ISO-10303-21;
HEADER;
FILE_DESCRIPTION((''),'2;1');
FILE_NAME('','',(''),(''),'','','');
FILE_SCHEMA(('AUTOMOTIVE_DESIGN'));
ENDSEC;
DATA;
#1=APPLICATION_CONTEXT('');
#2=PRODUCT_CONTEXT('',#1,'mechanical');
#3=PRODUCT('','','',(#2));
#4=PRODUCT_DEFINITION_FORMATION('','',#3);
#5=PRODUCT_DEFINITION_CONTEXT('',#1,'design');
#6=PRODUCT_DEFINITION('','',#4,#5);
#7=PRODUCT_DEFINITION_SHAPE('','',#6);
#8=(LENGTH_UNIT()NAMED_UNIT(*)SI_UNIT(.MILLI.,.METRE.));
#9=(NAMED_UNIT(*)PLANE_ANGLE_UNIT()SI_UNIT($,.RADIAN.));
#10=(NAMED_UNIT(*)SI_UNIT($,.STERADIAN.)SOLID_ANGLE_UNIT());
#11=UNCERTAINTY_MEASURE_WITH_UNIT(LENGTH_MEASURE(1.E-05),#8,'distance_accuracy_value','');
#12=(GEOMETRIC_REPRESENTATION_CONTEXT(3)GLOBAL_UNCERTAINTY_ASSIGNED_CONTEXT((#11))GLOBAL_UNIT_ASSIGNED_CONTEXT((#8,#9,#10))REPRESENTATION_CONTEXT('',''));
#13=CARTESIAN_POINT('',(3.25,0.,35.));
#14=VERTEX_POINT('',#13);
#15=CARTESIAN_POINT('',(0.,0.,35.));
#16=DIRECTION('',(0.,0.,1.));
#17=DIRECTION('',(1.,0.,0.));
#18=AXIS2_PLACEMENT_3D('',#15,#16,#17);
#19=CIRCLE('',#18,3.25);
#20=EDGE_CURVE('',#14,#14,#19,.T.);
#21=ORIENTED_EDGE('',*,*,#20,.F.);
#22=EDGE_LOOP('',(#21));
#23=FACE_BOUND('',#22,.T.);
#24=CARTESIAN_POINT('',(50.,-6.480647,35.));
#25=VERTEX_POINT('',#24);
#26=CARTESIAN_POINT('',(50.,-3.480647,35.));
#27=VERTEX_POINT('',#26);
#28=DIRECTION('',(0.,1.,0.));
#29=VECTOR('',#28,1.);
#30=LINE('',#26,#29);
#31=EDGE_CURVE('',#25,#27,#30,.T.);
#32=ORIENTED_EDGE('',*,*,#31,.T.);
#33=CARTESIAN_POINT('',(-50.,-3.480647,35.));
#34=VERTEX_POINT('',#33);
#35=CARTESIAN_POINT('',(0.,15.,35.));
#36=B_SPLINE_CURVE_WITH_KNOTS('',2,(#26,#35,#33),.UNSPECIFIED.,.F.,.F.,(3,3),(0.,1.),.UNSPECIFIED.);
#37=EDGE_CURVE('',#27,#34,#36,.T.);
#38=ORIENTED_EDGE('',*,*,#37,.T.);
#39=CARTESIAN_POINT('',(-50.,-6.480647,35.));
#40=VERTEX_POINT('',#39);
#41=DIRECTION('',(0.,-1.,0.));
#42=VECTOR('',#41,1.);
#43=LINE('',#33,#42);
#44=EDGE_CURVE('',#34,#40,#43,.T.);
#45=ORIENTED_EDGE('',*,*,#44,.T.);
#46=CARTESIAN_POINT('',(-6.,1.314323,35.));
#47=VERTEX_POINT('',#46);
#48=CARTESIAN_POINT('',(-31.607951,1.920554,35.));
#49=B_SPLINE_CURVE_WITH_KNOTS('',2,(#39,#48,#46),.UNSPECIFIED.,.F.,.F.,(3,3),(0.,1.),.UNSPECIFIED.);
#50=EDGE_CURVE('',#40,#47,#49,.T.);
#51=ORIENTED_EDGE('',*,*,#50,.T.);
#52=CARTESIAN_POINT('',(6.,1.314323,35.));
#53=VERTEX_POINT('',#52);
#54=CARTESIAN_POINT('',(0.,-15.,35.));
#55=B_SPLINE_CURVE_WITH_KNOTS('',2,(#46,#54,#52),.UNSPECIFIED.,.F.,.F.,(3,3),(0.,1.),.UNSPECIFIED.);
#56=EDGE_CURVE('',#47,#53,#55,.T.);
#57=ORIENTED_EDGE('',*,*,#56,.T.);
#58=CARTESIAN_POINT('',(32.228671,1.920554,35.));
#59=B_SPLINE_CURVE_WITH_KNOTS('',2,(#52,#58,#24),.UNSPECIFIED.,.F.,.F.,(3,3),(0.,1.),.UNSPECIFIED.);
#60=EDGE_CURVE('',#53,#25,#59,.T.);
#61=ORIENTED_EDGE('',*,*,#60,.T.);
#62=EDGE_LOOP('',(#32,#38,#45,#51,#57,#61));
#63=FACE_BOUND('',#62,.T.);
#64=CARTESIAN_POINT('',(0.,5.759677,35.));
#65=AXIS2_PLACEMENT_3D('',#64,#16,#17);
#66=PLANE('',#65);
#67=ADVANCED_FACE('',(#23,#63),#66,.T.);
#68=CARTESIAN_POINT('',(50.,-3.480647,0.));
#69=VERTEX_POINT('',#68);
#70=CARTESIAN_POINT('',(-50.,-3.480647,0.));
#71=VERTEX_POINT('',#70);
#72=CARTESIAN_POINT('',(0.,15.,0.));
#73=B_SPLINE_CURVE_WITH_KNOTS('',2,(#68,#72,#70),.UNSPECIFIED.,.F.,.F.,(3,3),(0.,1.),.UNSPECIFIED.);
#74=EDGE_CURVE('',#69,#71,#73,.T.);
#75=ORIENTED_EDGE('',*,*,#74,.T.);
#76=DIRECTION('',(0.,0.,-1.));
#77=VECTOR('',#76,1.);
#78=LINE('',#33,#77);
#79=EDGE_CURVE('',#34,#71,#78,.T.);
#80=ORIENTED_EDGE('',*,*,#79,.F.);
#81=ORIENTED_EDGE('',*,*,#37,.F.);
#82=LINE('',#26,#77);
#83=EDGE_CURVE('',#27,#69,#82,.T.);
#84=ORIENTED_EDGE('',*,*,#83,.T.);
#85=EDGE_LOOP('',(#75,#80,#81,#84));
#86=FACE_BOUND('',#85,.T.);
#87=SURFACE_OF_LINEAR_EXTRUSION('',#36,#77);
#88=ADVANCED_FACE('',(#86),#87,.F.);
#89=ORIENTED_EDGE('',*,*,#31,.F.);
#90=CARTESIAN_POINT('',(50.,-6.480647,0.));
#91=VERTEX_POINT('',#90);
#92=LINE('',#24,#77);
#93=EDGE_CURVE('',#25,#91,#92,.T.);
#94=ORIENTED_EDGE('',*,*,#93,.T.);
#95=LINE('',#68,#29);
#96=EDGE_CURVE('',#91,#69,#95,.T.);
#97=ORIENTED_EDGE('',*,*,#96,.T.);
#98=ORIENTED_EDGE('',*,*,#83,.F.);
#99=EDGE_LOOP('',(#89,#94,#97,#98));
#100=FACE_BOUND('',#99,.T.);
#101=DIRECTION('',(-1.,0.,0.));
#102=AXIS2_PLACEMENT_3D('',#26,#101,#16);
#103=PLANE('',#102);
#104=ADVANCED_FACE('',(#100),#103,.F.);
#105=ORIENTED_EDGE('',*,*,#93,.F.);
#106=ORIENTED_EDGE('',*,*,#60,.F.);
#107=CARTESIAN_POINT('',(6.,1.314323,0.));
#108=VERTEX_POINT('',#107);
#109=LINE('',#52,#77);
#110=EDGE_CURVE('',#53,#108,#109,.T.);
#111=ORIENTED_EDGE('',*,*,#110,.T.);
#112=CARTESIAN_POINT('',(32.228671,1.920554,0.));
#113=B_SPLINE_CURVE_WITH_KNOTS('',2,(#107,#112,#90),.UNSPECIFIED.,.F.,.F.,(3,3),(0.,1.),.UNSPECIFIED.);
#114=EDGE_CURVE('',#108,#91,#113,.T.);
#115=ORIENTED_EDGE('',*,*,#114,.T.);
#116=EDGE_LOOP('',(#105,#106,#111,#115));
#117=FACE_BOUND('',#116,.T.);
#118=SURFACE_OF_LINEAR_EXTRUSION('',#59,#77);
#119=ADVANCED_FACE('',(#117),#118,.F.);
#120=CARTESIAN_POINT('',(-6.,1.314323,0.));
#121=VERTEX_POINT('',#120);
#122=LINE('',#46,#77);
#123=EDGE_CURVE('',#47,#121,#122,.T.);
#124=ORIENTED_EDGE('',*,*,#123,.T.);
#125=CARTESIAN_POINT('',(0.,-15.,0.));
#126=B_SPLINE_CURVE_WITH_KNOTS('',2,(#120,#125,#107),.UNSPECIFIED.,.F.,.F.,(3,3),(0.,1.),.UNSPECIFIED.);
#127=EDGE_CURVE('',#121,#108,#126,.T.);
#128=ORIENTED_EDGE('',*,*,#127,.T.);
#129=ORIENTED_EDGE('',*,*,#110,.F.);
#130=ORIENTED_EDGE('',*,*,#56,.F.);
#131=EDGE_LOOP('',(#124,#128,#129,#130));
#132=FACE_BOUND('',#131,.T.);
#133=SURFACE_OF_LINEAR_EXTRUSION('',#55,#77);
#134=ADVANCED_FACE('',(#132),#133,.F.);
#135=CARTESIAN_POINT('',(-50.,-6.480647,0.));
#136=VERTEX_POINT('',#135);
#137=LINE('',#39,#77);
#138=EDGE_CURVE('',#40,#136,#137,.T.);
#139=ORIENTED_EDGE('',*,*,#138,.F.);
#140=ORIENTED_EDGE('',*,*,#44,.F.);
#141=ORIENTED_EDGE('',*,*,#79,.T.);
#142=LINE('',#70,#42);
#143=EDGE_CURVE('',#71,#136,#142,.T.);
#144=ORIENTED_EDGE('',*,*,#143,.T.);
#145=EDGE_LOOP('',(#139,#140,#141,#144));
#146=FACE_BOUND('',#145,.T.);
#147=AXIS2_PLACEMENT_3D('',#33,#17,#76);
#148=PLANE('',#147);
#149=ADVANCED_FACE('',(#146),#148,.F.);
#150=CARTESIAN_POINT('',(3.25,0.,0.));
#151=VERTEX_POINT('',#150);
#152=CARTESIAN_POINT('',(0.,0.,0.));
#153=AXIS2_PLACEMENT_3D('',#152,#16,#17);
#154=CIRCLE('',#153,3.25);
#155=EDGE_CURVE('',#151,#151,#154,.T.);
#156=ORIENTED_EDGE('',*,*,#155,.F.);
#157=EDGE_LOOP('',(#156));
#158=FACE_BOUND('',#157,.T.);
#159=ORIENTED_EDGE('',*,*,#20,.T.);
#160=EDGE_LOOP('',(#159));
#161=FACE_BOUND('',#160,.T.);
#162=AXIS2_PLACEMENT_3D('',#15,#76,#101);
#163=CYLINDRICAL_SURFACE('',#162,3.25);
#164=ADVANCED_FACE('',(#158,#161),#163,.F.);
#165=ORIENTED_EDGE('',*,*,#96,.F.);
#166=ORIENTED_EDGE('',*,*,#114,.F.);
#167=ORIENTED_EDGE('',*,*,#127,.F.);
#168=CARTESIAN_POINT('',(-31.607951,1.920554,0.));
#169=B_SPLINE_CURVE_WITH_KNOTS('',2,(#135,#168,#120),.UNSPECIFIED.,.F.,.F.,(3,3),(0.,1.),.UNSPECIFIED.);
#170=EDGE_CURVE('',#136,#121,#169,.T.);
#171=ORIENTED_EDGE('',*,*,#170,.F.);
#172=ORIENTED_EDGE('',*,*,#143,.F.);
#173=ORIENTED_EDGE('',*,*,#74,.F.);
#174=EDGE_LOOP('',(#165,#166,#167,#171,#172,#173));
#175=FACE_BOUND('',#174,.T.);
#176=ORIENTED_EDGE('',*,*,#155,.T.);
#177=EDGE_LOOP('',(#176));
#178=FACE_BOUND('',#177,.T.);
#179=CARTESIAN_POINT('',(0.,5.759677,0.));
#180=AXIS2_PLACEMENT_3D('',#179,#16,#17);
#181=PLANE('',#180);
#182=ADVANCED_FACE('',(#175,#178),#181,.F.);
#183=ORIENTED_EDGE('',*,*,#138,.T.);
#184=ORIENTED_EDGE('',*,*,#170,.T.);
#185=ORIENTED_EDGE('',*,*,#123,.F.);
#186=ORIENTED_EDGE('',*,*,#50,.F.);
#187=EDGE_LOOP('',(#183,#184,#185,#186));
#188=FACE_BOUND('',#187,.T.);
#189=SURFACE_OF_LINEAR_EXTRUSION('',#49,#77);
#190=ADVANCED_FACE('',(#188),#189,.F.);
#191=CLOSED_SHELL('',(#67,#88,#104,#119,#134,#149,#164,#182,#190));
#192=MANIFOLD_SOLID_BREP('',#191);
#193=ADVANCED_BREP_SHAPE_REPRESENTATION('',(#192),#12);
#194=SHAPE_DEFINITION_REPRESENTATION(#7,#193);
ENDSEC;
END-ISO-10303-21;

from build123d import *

# Parameters (mm, degrees)
SKETCH_1_R      = 3.25
EXTRUDE_1_DEPTH = 35


with BuildPart() as part:
    # 草圖1 → 填料-伸長1 (new body)
    with BuildSketch(Plane.XY):
        with BuildLine():
            Line((-50, -3.480646824), (-50, -6.480646824))
            add(Edge.make_bspline(
                [(-6, 1.314323068), (-31.607950909, 1.920554197), (-50, -6.480646824)],
                knots=[0, 0, 0, 1, 1, 1], degree=2))
            add(Edge.make_bspline(
                [(-6, 1.314323068), (0, -15), (6, 1.314323068)],
                knots=[0, 0, 0, 1, 1, 1], degree=2))
            add(Edge.make_bspline(
                [(6, 1.314323068), (32.228671013, 1.920554197), (50, -6.480646824)],
                knots=[0, 0, 0, 1, 1, 1], degree=2))
            Line((50, -6.480646824), (50, -3.480646824))
            add(Edge.make_bspline(
                [(-50, -3.480646824), (0, 15), (50, -3.480646824)],
                knots=[0, 0, 0, 1, 1, 1], degree=2))
        make_face()
        Circle(SKETCH_1_R, mode=Mode.SUBTRACT)
    extrude(amount=EXTRUDE_1_DEPTH)


solid = part.part
